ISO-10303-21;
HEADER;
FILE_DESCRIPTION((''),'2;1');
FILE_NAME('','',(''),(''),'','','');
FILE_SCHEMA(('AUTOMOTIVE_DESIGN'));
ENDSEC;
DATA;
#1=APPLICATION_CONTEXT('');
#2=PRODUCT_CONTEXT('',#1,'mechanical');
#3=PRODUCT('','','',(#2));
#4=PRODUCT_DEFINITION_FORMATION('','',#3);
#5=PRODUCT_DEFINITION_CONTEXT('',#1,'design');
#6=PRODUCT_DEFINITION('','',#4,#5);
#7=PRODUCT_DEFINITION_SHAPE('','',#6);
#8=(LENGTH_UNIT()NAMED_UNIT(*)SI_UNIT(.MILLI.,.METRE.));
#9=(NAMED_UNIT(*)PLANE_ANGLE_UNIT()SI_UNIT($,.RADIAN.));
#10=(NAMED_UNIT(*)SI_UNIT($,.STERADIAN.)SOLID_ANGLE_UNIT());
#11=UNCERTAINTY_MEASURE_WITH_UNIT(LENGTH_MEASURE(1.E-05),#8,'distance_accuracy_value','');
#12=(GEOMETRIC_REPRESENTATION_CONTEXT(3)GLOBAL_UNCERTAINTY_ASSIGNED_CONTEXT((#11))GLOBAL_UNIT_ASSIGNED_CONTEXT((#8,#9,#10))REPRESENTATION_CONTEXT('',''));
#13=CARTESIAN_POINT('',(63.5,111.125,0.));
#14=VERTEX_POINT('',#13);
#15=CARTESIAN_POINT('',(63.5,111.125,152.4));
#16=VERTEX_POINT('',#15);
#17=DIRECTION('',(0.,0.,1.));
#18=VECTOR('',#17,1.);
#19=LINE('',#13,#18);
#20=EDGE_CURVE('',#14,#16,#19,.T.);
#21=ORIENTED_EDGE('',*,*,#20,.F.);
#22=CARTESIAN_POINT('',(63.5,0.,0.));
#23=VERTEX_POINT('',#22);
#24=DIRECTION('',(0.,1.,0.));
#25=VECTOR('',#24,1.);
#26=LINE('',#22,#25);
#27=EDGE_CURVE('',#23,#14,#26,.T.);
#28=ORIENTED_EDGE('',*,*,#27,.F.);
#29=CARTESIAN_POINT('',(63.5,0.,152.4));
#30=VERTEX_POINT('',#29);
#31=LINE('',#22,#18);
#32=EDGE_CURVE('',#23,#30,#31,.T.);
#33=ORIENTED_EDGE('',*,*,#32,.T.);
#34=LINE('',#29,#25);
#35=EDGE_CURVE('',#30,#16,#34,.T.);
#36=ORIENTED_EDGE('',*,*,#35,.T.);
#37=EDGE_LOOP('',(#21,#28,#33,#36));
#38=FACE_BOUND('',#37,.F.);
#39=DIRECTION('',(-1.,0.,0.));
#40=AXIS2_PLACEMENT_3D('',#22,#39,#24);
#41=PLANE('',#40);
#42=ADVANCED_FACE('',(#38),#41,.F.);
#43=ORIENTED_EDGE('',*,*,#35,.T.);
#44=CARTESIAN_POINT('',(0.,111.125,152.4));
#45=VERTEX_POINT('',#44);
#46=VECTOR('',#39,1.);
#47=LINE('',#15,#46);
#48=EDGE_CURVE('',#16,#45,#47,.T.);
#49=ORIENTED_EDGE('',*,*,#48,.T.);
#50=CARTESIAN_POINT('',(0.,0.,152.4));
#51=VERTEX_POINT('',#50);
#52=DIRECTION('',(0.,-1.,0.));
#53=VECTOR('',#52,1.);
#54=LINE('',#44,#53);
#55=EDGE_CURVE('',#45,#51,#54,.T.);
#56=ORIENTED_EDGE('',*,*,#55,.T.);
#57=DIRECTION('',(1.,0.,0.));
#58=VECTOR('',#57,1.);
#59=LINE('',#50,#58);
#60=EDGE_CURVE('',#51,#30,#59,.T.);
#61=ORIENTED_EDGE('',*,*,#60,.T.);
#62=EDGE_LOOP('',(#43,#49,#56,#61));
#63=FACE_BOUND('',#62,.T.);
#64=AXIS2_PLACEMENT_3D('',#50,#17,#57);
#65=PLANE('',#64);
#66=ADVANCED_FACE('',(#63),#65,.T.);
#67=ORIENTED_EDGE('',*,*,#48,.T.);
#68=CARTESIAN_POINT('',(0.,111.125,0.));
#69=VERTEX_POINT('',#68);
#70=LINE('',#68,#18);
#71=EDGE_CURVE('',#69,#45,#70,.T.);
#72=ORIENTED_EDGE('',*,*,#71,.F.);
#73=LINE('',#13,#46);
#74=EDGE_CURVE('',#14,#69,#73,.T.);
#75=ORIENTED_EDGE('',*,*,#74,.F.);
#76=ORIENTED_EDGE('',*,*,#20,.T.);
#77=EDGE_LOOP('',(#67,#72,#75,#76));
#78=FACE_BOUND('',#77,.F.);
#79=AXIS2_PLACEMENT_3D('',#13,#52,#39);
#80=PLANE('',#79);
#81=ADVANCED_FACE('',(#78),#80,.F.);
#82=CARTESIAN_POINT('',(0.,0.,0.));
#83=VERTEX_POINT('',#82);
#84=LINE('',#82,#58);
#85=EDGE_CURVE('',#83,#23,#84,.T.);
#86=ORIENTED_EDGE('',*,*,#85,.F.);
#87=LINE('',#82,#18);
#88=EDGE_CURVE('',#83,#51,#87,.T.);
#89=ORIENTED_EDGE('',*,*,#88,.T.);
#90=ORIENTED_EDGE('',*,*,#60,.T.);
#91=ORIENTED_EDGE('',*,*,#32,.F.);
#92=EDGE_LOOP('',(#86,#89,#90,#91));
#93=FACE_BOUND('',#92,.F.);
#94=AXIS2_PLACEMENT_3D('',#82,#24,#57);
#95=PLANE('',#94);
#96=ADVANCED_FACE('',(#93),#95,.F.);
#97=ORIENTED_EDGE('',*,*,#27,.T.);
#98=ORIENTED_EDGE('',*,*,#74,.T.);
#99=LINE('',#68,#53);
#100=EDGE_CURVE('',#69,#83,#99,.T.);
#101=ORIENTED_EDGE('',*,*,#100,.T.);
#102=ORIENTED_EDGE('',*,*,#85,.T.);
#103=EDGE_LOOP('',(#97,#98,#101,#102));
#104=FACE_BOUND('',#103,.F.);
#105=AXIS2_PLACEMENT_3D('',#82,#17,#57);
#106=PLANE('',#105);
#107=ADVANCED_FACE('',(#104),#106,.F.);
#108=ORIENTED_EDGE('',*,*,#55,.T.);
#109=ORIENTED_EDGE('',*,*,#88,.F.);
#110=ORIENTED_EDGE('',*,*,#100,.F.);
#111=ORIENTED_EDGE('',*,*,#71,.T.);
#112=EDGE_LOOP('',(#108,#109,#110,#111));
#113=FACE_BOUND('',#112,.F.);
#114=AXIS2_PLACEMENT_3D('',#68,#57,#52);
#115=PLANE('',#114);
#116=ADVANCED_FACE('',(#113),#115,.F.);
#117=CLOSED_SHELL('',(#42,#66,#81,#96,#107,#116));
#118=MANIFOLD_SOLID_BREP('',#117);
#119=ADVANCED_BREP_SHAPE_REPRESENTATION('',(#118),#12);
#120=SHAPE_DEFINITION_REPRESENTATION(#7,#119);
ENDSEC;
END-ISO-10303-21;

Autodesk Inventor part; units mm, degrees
ref_plane "YZ Plane" through (0, 0, 0) normal (1, 0, 0) x (0, 1, 0)
ref_plane "XZ Plane" through (0, 0, 0) normal (0, 1, 0) x (-1, 0, 0)
ref_plane "XY Plane" through (0, 0, 0) normal (0, 0, 1) x (1, 0, 0)
sketch "Sketch1" plane through (0, 0, 0) normal (0, 0, 1) x (1, 0, 0)
  line L0 (0, 0) -> (63.5, 0)
  line L1 (63.5, 0) -> (63.5, 111.125)
  line L2 (63.5, 111.125) -> (0, 111.125)
  line L3 (0, 111.125) -> (0, 0)
  dimension "d0" = 63.5
  dimension "d1" = 111.125
extrude "Extrusion1" add sketch "Sketch1" along normal blind 152.4
properties part number "battery"
